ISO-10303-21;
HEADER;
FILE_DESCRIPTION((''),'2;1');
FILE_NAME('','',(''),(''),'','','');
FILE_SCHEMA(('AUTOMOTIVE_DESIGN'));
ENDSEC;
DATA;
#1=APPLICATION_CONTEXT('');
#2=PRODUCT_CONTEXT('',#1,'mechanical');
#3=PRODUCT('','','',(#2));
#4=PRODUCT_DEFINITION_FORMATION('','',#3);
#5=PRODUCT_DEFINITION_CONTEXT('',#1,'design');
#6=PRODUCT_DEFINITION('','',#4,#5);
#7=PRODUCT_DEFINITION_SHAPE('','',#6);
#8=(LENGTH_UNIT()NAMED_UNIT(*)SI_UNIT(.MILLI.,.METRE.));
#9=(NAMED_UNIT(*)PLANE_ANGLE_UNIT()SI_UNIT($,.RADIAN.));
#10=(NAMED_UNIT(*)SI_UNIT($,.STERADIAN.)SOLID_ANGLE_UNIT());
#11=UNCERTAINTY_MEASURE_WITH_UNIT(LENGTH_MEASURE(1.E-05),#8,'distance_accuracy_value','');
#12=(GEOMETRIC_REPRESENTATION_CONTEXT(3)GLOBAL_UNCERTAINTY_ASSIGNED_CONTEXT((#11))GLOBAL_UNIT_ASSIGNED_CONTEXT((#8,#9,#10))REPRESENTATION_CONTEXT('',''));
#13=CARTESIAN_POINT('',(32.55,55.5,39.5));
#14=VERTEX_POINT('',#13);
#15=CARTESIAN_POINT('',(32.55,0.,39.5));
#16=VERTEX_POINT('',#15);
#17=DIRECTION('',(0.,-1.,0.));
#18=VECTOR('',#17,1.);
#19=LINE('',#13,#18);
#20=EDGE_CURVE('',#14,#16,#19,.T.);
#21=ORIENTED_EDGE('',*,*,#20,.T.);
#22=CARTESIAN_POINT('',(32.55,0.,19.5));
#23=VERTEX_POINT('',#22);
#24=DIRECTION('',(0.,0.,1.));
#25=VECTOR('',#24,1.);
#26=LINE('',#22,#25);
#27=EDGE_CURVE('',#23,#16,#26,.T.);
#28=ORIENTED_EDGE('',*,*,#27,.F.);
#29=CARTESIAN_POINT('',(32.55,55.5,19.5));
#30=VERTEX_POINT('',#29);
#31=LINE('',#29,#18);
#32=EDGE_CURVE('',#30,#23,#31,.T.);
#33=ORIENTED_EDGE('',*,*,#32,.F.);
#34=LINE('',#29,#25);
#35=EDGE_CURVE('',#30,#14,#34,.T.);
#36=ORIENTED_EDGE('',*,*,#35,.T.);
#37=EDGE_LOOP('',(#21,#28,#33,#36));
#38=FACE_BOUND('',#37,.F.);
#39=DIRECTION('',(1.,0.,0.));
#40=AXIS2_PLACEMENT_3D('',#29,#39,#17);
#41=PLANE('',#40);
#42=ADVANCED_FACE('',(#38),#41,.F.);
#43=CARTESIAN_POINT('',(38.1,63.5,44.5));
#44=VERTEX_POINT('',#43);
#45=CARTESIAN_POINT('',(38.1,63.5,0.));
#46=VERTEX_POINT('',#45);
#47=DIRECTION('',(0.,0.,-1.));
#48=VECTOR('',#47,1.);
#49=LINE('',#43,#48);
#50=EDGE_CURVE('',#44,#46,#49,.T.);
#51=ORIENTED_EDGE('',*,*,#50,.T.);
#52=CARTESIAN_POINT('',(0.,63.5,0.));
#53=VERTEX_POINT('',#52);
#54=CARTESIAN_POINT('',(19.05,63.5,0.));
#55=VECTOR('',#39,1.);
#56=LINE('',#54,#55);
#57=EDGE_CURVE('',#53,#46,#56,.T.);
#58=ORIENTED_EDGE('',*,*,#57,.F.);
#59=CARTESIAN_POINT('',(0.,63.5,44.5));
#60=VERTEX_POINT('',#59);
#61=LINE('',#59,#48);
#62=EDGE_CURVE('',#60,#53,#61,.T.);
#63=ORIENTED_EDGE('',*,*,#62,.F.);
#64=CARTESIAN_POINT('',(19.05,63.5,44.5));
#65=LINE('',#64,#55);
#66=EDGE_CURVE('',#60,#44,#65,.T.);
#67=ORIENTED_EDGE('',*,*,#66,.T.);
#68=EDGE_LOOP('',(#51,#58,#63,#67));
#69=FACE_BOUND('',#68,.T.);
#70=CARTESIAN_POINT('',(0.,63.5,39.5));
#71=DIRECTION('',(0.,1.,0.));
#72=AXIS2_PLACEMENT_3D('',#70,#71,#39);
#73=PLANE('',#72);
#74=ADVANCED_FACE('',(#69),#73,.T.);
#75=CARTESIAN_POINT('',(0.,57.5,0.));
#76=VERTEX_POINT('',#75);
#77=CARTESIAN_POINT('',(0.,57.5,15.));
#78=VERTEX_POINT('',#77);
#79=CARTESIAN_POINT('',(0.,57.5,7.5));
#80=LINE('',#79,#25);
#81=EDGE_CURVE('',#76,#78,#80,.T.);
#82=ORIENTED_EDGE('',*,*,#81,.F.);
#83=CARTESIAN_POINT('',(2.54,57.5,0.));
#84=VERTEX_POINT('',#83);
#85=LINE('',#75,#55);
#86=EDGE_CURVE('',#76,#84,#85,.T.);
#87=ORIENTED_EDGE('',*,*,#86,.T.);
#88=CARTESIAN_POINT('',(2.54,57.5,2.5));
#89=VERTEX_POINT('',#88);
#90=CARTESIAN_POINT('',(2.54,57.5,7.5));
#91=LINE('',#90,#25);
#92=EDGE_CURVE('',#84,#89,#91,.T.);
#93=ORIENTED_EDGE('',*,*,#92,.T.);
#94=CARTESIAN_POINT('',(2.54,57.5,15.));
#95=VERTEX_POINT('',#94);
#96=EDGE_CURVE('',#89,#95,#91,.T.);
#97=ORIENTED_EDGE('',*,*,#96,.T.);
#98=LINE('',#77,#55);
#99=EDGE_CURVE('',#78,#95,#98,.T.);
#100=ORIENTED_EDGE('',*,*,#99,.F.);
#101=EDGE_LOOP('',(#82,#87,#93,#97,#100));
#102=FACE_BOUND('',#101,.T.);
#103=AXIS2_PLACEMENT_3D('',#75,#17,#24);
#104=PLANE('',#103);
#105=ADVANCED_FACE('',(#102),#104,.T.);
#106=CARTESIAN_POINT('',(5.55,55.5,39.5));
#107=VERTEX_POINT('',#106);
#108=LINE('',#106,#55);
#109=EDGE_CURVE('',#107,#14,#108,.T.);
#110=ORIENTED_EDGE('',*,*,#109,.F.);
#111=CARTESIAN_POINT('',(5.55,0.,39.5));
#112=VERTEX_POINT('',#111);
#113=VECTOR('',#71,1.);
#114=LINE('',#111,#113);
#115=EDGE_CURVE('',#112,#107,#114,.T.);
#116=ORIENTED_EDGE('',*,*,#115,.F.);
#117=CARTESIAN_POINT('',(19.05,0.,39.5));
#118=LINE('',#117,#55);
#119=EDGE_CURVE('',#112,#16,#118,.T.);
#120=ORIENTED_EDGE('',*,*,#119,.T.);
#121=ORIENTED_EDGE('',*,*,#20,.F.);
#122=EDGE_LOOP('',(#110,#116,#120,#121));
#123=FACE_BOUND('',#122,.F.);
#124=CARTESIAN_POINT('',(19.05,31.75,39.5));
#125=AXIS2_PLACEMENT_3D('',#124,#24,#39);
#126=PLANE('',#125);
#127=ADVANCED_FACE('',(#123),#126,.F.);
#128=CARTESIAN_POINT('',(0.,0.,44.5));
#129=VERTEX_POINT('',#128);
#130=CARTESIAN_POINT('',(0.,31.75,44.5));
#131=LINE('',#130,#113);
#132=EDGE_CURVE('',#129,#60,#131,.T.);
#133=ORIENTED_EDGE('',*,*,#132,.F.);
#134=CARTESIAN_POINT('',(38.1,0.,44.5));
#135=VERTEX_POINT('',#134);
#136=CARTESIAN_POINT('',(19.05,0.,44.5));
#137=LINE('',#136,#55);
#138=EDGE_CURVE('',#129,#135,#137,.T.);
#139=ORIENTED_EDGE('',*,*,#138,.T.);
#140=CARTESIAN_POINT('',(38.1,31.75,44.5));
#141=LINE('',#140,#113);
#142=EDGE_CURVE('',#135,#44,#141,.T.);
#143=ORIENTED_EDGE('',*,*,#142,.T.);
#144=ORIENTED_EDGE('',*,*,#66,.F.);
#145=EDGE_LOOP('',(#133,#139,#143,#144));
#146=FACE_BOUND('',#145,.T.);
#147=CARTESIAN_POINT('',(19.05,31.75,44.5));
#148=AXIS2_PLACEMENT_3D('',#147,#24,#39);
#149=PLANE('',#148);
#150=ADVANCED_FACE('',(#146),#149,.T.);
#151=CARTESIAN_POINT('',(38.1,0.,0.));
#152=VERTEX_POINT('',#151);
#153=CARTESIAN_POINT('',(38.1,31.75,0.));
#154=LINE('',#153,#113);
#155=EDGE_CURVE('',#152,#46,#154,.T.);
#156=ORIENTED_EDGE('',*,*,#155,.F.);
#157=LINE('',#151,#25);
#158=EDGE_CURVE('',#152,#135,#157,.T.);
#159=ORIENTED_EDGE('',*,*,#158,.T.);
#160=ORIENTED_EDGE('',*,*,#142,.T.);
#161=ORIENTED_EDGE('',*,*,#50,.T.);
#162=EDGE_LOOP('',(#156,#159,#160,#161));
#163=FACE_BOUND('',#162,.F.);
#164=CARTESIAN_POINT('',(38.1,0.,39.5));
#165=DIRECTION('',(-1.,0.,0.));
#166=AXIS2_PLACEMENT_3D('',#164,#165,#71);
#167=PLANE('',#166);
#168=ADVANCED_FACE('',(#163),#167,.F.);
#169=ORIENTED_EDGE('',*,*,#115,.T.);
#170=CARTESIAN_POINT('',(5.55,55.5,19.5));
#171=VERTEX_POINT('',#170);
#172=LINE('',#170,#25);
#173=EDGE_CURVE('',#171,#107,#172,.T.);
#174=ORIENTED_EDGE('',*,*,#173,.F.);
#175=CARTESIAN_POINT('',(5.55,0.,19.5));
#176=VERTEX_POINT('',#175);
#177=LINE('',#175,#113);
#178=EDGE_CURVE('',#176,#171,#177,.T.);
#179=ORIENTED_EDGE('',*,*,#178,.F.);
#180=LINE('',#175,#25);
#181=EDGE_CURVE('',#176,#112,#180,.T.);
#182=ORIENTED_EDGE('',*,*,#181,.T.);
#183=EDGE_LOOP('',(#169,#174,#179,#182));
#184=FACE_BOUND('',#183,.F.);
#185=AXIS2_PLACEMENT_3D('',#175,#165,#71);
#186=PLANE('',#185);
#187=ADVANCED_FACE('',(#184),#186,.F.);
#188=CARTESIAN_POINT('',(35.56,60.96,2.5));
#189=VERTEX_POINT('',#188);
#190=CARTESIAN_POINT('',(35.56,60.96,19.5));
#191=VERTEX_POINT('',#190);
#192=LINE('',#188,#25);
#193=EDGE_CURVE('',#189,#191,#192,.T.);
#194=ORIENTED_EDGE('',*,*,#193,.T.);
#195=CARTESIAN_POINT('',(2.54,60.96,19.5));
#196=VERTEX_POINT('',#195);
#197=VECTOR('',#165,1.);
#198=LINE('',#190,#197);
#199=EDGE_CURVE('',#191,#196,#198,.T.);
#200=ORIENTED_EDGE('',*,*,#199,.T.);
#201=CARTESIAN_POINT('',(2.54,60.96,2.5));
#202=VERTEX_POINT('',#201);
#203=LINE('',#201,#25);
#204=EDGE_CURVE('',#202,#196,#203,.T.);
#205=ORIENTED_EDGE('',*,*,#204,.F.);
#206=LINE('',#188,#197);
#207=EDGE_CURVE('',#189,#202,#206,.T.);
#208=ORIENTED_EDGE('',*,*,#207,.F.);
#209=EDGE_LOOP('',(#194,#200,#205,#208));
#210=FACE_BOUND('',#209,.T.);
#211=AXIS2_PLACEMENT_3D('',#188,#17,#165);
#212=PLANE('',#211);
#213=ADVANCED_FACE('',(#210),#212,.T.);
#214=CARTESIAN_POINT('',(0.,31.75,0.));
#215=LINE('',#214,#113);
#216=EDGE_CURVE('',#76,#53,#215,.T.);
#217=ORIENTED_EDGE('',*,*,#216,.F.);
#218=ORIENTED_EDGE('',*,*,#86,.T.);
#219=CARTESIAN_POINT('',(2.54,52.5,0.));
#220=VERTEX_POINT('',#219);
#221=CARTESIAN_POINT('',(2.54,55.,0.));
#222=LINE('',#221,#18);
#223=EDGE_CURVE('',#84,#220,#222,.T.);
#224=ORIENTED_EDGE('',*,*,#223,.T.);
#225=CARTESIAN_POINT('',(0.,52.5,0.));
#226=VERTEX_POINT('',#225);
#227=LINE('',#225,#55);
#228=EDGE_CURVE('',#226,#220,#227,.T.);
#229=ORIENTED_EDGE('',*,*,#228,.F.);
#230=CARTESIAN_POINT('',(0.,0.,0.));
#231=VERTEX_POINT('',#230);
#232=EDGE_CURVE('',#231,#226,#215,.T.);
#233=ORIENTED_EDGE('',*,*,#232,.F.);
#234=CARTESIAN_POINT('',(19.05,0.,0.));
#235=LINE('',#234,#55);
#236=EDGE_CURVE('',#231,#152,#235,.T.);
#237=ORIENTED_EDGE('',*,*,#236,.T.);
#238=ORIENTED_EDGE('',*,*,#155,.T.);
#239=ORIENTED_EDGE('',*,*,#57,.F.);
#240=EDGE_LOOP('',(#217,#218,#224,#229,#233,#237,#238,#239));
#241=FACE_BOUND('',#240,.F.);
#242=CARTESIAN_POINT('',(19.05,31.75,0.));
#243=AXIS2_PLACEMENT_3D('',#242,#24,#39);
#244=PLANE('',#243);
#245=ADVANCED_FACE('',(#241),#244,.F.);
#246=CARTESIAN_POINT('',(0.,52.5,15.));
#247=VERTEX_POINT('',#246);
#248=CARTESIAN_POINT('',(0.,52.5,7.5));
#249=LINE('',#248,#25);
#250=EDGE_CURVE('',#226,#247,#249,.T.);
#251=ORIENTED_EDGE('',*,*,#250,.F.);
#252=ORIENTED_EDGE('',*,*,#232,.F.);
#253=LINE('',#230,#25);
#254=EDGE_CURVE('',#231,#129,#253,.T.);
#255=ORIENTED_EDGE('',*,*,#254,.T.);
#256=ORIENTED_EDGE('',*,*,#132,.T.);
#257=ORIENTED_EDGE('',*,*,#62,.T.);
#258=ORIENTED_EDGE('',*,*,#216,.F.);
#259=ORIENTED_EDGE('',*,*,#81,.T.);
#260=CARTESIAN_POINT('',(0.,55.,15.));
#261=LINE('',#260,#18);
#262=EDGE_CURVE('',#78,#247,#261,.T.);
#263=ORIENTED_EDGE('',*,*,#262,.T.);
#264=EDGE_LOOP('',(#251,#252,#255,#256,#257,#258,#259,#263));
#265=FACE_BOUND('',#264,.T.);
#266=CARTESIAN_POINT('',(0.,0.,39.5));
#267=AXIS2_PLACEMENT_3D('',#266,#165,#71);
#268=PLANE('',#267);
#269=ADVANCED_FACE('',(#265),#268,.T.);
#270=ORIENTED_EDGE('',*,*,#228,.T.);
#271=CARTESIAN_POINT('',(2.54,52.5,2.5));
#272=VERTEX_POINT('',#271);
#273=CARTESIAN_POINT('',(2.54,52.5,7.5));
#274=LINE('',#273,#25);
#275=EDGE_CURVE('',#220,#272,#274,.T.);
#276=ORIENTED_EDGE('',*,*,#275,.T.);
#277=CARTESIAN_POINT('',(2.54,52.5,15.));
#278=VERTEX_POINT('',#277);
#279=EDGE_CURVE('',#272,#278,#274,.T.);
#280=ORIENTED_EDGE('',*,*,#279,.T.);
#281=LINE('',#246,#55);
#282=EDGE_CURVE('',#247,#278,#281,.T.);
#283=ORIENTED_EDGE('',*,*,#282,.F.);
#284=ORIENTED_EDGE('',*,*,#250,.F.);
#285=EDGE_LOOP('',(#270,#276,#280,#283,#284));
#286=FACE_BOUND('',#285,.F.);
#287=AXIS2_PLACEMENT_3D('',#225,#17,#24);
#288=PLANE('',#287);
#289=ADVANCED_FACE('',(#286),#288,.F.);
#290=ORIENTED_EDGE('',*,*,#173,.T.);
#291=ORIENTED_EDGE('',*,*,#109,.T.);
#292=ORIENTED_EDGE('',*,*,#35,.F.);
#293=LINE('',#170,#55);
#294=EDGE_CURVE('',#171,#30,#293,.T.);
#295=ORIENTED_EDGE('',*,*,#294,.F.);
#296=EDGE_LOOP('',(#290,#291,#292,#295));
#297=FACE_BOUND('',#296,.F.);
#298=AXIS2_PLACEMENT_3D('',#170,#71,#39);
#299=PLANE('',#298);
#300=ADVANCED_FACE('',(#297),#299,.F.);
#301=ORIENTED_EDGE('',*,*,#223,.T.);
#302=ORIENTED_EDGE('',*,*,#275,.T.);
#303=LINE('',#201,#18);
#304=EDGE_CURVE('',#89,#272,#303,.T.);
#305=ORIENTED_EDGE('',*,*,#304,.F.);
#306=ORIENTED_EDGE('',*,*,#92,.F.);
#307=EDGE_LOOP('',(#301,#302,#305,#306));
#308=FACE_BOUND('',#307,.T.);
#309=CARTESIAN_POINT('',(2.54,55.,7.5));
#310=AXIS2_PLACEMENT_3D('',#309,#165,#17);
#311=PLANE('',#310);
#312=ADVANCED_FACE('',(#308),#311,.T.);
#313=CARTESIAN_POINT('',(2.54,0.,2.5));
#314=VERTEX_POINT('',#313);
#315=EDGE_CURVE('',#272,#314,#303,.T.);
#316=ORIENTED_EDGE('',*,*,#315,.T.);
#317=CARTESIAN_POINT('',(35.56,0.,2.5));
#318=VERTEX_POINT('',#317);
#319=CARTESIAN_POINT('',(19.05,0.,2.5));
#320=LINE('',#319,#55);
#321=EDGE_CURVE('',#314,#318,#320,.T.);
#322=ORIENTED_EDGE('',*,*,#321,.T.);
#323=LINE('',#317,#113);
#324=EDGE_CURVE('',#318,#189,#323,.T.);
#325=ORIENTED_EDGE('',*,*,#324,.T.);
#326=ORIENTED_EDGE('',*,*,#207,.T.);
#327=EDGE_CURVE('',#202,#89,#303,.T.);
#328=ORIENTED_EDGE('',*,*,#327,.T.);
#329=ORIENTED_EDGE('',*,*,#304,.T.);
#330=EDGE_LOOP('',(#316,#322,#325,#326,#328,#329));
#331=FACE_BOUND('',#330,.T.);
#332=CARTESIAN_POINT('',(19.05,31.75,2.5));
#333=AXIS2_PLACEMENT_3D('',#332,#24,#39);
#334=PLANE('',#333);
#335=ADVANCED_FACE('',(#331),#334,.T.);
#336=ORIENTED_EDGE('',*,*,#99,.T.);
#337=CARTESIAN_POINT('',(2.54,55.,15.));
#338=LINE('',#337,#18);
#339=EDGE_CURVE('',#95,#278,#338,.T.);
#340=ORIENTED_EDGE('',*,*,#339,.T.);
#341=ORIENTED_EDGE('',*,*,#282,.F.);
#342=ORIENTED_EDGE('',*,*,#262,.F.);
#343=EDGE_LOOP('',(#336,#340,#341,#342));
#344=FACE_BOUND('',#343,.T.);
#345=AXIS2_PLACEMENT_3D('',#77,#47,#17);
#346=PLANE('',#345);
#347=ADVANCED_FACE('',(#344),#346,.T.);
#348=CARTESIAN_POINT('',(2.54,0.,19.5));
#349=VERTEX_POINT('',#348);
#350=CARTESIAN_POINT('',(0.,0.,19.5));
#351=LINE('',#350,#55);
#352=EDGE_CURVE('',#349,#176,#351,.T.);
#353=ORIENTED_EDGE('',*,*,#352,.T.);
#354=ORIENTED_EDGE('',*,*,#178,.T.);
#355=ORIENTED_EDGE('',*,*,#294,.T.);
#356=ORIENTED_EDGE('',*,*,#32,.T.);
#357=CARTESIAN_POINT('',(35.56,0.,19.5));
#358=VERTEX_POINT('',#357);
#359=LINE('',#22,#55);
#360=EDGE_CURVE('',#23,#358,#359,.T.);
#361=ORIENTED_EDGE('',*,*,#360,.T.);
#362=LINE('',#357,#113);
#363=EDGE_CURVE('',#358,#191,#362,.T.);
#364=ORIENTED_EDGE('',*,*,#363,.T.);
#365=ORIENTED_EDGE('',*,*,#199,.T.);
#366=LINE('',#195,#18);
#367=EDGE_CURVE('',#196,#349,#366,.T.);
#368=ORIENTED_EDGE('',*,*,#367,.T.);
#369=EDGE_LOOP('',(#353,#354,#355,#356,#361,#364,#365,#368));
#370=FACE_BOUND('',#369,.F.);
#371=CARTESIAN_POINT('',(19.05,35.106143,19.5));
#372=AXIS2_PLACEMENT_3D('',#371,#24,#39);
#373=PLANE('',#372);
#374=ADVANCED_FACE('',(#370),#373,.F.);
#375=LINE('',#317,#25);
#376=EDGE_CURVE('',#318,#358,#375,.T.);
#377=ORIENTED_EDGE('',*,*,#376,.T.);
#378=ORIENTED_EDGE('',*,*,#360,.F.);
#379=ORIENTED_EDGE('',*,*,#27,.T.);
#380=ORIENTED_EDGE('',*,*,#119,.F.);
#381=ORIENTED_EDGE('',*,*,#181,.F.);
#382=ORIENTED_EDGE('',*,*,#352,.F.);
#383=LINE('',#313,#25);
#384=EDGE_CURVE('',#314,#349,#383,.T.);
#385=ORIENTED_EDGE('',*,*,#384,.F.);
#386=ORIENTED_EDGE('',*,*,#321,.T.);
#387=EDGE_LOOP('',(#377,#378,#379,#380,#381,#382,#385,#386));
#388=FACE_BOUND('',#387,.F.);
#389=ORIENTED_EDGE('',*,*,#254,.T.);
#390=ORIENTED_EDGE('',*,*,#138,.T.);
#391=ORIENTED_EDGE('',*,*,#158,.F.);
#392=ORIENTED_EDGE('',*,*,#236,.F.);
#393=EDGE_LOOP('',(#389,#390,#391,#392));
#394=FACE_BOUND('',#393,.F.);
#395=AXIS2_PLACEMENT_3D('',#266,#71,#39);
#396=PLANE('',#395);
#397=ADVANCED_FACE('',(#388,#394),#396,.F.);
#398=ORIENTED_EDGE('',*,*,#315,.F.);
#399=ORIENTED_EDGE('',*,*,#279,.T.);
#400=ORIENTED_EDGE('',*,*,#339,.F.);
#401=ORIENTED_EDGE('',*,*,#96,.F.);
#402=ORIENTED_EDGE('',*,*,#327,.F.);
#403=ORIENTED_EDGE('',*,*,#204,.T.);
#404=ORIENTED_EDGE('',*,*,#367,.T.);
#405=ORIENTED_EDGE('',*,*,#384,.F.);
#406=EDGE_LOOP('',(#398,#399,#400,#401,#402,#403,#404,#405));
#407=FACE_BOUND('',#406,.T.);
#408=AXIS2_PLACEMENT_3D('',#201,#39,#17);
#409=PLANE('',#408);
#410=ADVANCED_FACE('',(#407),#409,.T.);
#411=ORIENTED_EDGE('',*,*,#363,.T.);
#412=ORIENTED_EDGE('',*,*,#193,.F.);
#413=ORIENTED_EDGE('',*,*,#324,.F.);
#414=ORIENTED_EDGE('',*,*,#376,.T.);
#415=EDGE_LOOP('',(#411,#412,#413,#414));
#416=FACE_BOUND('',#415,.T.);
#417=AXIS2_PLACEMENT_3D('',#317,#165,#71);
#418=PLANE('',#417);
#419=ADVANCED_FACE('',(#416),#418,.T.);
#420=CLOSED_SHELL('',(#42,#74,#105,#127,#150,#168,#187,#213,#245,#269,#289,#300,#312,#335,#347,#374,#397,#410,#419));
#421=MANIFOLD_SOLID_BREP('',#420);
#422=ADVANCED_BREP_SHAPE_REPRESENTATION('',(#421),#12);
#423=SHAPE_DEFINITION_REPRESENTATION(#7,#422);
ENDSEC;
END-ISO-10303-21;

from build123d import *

# Parameters (mm, degrees)
SKETCH_W     = 38.1
SKETCH_H     = 63.5
PAD_DEPTH    = 2.5
PAD001_DEPTH = 17
SKETCH002_W  = 5
SKETCH002_H  = 15
POCKET_DEPTH = 2.54
PAD002_DEPTH = 20
SKETCH004_W  = 38.1
SKETCH004_H  = 63.5
PAD003_DEPTH = 5


with BuildPart() as part:
    # Sketch → Pad (new body)
    with BuildSketch(Plane.XY):
        with Locations((19.05, 31.75)):
            Rectangle(SKETCH_W, SKETCH_H)
    extrude(amount=PAD_DEPTH)

    # Sketch001 (on Face6 of Pad) → Pad001 (join)
    with BuildSketch(Plane.XY.offset(2.5)):
        Polygon((0, 0), (0, 63.5), (38.1, 63.5), (38.1, 0), (35.56, 0), (35.56, 60.96), (2.54, 60.96), (2.54, 0), align=None)
    extrude(amount=PAD001_DEPTH)

    # Sketch002 (on Face8 of Pad001) → Pocket (cut)
    with BuildSketch(Plane(origin=(0, 0, 0), x_dir=(0, -1, 0), z_dir=(-1, 0, 0))):
        with Locations((-55, 7.5)):
            Rectangle(SKETCH002_W, SKETCH002_H)
    extrude(amount=-POCKET_DEPTH, mode=Mode.SUBTRACT)

    # Sketch003 (on Face9 of Pocket) → Pad002 (join)
    with BuildSketch(Plane.XY.offset(19.5)):
        Polygon((0, 0), (5.55, 0), (5.55, 55.5), (32.55, 55.5), (32.55, 0), (38.1, 0), (38.1, 63.5), (0, 63.5), align=None)
    extrude(amount=PAD002_DEPTH)

    # Sketch004 (on Face12 of Pad002) → Pad003 (join)
    with BuildSketch(Plane.XY.offset(39.5)):
        with Locations((19.05, 31.75)):
            Rectangle(SKETCH004_W, SKETCH004_H)
    extrude(amount=PAD003_DEPTH)


solid = part.part
